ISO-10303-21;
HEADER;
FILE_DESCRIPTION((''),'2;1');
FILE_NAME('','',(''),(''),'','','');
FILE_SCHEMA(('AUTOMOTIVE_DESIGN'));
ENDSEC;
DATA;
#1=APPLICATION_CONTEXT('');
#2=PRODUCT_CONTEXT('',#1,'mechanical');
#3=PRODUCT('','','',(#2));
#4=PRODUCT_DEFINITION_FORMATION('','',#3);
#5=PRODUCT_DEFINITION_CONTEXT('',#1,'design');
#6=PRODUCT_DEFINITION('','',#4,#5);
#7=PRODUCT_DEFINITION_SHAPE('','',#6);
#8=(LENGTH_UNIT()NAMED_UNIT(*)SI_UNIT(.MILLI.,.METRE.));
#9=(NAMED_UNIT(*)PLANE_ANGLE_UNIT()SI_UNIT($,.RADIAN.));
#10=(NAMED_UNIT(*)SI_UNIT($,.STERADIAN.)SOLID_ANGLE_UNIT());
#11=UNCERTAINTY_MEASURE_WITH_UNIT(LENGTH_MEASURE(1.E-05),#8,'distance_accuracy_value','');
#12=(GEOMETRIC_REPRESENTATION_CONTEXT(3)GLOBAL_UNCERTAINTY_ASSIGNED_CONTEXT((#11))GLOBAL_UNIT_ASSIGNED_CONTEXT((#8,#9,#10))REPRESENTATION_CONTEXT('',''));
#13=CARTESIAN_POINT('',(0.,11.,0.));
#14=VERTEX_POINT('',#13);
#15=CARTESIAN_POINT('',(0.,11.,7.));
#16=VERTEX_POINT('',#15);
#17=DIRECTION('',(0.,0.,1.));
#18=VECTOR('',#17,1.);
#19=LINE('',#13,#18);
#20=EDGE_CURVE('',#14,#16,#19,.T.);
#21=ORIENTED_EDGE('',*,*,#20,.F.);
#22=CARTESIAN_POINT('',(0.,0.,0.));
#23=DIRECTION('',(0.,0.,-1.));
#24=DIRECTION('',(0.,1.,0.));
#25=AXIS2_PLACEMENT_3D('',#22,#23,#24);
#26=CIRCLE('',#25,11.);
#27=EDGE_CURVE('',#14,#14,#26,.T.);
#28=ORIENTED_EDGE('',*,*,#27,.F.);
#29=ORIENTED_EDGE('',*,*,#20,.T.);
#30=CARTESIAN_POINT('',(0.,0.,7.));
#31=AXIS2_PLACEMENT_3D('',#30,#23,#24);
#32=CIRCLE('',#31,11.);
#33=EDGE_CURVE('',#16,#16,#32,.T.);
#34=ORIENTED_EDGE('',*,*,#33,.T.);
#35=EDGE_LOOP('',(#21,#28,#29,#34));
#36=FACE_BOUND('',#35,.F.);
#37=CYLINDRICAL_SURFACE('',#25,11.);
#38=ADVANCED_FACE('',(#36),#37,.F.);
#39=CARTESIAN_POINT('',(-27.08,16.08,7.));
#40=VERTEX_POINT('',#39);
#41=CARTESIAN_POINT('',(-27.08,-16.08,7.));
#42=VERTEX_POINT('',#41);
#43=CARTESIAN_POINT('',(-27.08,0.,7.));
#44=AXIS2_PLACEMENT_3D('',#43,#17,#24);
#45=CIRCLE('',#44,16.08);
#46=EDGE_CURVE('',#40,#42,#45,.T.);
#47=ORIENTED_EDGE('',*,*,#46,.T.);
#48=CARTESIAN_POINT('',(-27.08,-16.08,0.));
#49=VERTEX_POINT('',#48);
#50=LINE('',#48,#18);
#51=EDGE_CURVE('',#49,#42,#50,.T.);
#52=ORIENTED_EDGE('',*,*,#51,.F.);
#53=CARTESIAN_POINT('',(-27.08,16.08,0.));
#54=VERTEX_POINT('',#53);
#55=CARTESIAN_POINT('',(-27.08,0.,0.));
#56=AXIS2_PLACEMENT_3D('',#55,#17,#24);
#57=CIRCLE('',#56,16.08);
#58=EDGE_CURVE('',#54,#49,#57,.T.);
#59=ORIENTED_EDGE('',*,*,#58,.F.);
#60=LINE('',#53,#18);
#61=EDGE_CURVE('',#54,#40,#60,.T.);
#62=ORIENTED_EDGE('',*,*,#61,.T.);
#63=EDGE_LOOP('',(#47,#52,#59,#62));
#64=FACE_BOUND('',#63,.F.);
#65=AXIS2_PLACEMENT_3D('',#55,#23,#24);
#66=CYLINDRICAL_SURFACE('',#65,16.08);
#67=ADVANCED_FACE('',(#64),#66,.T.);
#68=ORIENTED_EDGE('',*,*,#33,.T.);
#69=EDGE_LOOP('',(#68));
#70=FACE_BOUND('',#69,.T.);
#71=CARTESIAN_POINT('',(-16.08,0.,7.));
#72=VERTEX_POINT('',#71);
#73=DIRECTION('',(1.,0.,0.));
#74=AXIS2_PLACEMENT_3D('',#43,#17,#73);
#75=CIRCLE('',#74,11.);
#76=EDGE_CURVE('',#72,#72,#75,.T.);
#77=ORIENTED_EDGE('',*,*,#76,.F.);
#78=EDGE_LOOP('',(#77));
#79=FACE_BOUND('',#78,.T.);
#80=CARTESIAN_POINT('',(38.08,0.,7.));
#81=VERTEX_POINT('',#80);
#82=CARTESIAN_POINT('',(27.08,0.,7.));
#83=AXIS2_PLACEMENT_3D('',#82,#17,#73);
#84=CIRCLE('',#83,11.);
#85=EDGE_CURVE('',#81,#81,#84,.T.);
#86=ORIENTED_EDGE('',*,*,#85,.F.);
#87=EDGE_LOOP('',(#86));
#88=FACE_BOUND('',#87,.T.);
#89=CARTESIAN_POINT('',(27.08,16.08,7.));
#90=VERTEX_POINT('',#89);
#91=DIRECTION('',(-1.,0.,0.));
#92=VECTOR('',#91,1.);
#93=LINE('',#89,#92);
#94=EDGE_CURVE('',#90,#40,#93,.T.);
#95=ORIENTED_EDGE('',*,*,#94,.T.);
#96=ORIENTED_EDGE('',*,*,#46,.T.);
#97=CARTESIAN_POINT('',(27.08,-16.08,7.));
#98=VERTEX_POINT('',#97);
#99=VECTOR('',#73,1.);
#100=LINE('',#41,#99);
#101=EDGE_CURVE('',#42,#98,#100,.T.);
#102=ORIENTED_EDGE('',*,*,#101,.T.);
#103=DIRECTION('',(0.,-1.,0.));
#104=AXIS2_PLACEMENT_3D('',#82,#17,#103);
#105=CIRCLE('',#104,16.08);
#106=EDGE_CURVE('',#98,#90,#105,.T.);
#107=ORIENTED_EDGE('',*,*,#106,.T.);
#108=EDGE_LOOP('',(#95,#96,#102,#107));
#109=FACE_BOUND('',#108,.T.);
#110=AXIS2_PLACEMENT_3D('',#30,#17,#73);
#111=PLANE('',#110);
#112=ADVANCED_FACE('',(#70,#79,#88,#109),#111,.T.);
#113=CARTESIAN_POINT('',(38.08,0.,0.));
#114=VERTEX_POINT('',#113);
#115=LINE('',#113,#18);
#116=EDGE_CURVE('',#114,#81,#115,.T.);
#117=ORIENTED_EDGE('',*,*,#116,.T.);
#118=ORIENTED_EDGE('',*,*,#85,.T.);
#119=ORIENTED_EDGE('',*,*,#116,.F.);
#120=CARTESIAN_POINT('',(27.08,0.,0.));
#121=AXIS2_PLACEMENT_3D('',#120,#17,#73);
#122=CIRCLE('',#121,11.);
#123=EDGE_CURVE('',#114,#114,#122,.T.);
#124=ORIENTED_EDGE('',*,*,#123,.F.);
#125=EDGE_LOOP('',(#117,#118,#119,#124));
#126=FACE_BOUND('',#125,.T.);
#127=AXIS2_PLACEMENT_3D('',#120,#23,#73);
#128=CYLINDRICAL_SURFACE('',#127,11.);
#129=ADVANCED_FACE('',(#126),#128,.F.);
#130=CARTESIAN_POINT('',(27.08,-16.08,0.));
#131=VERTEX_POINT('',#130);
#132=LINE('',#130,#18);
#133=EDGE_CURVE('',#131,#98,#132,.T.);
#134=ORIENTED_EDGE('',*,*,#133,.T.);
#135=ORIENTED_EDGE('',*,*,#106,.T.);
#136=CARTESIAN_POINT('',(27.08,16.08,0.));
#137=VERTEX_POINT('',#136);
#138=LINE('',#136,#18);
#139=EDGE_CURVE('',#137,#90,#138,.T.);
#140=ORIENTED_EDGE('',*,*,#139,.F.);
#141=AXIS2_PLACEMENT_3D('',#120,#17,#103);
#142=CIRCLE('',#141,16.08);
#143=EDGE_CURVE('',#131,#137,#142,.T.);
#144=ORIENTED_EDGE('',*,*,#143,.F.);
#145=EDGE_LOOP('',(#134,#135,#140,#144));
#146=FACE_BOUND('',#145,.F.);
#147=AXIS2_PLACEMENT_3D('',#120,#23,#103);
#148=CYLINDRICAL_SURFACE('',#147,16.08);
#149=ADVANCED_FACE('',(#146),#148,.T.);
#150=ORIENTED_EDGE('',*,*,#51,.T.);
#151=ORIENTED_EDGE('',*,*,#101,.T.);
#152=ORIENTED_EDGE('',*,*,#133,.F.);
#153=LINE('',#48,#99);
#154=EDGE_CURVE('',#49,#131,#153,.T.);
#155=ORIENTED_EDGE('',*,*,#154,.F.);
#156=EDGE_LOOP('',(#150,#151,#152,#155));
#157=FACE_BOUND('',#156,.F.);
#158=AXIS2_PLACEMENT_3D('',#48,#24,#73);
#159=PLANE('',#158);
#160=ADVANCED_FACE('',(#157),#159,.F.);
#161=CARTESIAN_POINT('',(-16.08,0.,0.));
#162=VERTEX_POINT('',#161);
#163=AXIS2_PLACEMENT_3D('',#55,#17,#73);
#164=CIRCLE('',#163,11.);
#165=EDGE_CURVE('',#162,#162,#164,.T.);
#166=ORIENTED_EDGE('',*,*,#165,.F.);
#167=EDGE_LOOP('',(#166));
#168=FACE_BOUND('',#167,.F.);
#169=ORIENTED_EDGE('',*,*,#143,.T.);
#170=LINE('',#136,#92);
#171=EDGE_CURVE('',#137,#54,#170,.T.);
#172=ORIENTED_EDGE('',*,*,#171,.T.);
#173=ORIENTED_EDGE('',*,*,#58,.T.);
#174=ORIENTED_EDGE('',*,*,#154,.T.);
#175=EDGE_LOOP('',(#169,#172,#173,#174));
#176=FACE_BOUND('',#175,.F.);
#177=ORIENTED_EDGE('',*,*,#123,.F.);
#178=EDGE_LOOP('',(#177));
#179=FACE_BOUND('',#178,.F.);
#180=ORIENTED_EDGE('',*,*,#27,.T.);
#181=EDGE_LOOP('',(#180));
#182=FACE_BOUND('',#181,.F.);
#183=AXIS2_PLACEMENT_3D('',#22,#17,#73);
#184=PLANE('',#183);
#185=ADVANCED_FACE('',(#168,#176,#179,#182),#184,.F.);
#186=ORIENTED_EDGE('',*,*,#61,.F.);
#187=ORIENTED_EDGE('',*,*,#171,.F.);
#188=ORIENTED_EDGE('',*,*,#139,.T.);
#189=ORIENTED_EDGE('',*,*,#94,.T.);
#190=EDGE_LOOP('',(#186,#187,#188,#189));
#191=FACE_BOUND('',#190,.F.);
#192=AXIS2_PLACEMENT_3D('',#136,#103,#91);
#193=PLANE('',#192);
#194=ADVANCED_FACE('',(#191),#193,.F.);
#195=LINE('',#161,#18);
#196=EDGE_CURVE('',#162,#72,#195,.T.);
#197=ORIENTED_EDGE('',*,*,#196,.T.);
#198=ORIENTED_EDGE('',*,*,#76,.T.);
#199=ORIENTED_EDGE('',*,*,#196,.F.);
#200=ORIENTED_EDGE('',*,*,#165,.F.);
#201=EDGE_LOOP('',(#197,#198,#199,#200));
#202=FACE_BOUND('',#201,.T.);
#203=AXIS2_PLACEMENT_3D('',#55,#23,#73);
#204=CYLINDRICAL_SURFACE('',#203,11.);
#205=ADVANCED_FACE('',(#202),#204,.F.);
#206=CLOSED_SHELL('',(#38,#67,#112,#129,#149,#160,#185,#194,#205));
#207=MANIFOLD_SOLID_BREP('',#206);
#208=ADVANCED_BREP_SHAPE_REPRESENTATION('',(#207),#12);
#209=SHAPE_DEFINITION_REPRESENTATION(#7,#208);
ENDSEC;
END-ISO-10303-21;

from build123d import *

# Parameters (mm, degrees)
F0_R     = 11
F1_DEPTH = 7


with BuildPart() as f1:
    # F0 (on Top) → F1 (new body)
    with BuildSketch(Plane.XY):
        with BuildLine():
            ThreePointArc((-27.08, 16.08), (-43.16, 0), (-27.08, -16.08))
            Line((-27.08, -16.08), (27.08, -16.08))
            ThreePointArc((27.08, -16.08), (43.16, 0), (27.08, 16.08))
            Line((27.08, 16.08), (-27.08, 16.08))
        make_face()
        with Locations((-27.08, 0)):
            Circle(F0_R, mode=Mode.SUBTRACT)
        with BuildLine():
            ThreePointArc((0, -11), (-11, 0), (0, 11))
            ThreePointArc((0, 11), (11, 0), (0, -11))
        make_face(mode=Mode.SUBTRACT)
        with Locations((27.08, 0)):
            Circle(F0_R, mode=Mode.SUBTRACT)
    extrude(amount=F1_DEPTH)


solid = f1.part
